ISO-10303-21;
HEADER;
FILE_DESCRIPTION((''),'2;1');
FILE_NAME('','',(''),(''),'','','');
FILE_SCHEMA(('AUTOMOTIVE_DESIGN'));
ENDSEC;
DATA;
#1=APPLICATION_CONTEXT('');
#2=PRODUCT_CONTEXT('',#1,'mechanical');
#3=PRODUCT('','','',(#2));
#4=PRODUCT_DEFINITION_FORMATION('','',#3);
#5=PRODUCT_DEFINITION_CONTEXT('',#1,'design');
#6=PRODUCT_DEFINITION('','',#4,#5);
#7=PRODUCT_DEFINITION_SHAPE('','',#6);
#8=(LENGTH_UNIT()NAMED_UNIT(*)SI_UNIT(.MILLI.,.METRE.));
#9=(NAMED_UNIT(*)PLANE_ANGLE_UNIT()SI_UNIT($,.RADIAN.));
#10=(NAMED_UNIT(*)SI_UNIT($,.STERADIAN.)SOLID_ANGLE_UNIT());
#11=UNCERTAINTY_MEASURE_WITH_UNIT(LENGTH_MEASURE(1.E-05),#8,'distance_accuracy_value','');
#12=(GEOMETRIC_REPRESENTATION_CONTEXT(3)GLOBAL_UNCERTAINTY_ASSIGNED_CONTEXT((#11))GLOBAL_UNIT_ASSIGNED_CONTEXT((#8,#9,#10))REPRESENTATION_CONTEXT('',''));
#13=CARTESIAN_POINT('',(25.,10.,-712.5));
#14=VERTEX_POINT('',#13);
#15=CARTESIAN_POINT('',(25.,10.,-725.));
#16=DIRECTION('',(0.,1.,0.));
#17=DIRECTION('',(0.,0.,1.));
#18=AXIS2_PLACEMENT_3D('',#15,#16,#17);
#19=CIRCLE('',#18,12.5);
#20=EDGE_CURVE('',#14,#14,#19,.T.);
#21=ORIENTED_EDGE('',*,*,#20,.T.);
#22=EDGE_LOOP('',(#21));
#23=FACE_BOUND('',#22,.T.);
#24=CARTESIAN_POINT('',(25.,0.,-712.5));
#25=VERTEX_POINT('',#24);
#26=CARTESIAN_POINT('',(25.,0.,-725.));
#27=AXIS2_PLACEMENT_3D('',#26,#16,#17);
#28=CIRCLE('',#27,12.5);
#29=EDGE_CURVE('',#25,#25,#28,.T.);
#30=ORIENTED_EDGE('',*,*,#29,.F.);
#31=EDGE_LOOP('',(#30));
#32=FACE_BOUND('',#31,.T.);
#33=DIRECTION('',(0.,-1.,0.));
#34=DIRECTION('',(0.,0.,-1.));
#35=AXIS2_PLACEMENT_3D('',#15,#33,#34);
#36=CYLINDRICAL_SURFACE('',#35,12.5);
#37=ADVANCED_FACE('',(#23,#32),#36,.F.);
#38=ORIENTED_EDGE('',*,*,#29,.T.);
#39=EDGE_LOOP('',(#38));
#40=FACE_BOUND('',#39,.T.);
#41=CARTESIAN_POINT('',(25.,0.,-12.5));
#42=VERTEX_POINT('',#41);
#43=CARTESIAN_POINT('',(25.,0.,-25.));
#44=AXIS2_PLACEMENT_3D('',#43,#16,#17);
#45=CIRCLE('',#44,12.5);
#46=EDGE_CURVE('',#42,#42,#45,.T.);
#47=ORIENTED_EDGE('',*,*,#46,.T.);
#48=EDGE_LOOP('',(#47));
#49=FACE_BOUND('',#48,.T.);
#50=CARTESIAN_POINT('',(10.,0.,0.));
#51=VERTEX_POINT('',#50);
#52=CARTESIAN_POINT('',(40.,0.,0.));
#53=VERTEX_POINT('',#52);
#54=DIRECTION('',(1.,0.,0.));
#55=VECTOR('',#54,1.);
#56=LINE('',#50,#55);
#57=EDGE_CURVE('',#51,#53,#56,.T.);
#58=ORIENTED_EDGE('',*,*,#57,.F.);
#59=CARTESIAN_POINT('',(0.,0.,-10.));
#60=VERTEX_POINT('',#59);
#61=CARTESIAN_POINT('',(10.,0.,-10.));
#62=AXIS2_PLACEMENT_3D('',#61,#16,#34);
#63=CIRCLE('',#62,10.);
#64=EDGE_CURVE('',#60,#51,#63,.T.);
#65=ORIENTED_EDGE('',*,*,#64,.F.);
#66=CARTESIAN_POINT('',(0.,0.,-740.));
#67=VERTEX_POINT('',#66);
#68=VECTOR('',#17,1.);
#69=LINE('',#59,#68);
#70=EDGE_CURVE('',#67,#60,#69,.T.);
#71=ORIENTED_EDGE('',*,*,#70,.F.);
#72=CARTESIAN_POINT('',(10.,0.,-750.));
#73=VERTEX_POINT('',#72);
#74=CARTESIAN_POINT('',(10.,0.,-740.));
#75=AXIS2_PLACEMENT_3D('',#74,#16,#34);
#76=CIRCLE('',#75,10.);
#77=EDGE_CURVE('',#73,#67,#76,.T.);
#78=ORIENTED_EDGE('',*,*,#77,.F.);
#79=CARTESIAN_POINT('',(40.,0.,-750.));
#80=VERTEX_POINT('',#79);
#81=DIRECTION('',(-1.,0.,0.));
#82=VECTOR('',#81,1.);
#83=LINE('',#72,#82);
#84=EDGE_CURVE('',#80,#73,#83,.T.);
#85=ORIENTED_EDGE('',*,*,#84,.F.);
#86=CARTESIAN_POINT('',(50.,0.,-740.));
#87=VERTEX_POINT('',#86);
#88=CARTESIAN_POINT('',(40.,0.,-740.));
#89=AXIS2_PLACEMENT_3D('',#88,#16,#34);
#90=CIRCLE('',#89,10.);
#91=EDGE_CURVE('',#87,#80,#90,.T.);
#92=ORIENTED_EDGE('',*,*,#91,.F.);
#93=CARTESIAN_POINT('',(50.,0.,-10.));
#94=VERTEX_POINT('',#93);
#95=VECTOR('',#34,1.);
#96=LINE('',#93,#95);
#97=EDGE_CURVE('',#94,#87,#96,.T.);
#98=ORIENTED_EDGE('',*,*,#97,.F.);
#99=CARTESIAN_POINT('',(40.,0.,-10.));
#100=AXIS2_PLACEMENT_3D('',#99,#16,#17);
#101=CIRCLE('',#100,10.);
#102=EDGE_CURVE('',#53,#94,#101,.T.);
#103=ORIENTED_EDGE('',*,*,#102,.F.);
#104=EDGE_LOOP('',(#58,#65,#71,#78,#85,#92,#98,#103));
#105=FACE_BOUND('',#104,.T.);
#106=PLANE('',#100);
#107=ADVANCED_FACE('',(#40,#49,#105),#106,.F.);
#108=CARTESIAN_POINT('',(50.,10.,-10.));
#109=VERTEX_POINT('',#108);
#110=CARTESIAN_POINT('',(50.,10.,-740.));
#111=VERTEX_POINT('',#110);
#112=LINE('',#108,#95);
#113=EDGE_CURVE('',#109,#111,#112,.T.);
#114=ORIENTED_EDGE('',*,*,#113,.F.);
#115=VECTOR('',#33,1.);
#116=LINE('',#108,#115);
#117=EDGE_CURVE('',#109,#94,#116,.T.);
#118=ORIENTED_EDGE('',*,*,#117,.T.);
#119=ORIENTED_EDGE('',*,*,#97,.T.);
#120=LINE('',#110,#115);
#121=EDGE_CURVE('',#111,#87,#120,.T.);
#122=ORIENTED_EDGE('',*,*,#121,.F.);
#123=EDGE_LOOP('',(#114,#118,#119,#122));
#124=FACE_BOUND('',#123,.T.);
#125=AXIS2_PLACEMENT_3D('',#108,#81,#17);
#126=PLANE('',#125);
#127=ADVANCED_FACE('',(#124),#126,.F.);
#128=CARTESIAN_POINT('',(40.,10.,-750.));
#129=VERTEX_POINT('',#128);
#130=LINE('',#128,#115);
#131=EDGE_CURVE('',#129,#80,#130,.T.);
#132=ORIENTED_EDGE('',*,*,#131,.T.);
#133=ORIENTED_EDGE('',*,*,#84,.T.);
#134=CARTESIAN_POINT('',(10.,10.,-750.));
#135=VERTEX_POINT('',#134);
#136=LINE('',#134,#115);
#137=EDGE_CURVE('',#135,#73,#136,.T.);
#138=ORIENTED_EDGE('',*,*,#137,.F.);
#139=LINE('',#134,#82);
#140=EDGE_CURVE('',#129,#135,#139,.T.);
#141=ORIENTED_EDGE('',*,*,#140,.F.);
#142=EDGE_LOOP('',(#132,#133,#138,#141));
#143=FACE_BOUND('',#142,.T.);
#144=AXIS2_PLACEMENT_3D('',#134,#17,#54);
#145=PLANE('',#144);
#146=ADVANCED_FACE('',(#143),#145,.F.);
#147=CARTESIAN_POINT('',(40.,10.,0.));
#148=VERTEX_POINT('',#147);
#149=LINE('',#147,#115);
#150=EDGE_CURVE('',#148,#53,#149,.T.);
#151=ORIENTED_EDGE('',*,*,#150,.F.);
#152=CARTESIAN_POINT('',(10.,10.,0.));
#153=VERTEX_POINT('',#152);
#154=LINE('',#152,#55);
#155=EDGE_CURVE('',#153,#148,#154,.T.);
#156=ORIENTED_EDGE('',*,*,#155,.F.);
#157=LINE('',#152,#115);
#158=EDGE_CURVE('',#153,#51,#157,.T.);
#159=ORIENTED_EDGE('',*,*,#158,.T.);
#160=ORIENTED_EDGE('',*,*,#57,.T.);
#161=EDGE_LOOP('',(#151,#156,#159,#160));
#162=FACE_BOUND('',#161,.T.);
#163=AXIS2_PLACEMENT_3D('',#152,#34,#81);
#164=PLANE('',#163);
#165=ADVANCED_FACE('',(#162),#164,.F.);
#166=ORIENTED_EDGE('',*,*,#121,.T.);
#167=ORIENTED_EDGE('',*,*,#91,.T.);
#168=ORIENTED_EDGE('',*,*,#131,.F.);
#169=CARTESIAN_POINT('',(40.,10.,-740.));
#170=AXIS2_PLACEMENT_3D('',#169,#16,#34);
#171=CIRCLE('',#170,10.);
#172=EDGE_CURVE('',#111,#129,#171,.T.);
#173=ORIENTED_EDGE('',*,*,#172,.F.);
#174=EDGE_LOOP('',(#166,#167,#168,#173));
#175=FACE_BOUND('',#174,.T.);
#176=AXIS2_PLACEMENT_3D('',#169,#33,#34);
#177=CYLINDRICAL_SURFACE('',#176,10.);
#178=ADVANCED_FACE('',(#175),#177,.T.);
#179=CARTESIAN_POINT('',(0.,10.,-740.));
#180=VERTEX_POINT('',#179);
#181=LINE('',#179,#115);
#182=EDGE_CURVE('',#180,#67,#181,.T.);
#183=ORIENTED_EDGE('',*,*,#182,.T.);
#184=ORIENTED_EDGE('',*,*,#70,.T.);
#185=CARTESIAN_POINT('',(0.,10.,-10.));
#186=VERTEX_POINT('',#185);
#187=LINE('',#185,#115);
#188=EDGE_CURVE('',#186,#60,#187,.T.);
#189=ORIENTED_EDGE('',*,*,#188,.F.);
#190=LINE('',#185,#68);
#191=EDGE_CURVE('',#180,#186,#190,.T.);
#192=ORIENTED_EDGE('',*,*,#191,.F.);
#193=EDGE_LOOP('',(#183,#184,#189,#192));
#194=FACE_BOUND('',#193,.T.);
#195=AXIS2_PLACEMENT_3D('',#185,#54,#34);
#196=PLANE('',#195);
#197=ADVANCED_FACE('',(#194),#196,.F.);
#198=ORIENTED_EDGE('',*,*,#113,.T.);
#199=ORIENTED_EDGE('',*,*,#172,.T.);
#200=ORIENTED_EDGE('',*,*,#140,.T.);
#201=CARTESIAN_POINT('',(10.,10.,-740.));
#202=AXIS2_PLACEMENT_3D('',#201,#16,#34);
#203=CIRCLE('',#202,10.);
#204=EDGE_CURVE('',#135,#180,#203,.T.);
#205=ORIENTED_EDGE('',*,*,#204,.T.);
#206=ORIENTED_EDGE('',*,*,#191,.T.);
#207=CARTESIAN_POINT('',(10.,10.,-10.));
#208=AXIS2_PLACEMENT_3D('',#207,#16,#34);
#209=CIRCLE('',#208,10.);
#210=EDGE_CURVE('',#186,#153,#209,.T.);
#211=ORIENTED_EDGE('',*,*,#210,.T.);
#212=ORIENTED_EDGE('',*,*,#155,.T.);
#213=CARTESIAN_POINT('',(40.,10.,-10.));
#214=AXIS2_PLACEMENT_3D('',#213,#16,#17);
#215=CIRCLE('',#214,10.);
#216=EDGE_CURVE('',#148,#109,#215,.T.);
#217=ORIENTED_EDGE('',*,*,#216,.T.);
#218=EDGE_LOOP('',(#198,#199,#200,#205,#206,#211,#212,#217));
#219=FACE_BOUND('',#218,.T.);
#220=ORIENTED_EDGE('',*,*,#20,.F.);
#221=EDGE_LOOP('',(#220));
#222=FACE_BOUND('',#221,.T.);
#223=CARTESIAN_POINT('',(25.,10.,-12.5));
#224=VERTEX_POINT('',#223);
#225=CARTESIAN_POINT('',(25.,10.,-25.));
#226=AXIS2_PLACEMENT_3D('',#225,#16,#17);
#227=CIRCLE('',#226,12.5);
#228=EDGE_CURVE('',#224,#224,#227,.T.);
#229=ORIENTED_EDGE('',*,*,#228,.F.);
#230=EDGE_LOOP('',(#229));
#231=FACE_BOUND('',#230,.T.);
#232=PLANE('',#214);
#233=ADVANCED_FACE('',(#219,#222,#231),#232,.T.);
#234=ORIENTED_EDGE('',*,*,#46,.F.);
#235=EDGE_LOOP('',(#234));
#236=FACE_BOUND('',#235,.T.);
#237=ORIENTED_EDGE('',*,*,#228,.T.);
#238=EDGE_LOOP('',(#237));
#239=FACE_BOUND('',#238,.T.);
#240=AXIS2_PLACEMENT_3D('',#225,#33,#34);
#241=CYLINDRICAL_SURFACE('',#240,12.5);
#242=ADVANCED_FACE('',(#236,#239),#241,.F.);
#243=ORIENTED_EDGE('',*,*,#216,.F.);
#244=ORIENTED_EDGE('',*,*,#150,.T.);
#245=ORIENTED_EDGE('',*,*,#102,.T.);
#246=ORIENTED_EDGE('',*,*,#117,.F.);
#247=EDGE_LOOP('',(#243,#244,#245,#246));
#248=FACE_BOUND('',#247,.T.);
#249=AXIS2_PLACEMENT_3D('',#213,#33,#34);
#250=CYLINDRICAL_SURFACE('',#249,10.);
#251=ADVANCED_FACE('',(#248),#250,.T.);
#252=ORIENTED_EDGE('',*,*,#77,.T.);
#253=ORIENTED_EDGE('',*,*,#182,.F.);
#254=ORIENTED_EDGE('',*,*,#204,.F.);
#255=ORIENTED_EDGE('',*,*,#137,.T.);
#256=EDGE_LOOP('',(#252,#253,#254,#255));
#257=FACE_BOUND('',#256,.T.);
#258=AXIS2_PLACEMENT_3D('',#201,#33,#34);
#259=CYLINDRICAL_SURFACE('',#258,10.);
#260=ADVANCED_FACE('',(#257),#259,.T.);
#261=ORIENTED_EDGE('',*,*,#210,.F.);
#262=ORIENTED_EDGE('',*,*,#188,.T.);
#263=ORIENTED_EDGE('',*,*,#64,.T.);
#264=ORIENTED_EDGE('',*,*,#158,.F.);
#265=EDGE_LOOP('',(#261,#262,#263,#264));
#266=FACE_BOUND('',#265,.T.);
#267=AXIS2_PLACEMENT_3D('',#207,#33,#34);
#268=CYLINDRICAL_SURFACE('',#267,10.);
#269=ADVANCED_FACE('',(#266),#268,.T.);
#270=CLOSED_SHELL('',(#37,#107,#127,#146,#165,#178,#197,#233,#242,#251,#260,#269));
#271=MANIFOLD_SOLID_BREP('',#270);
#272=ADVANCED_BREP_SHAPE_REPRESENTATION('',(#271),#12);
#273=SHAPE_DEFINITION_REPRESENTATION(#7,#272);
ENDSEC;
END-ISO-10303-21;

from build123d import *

# Parameters (mm, degrees)
SKETCH1_R           = 12.5
BOSS_EXTRUDE1_DEPTH = 10


with BuildPart() as part:
    # Sketch1 → Boss-Extrude1 (new body)
    with BuildSketch(Plane(origin=(0, 0, 0), x_dir=(1, 0, 0), z_dir=(0, 1, 0))):
        with BuildLine():
            Line((10, 0), (40, 0))
            ThreePointArc((40, 0), (47.071067812, 2.928932188), (50, 10))
            Line((50, 10), (50, 740))
            ThreePointArc((50, 740), (47.071067812, 747.071067812), (40, 750))
            Line((40, 750), (10, 750))
            ThreePointArc((10, 750), (2.928932188, 747.071067812), (0, 740))
            Line((0, 740), (0, 10))
            ThreePointArc((0, 10), (2.928932188, 2.928932188), (10, 0))
        make_face()
        with Locations(Location((25, 25, 0), (0, 0, 270))):
            Circle(SKETCH1_R, mode=Mode.SUBTRACT)
        with Locations(Location((25, 725, 0), (0, 0, 270))):
            Circle(SKETCH1_R, mode=Mode.SUBTRACT)
    extrude(amount=BOSS_EXTRUDE1_DEPTH)


solid = part.part
